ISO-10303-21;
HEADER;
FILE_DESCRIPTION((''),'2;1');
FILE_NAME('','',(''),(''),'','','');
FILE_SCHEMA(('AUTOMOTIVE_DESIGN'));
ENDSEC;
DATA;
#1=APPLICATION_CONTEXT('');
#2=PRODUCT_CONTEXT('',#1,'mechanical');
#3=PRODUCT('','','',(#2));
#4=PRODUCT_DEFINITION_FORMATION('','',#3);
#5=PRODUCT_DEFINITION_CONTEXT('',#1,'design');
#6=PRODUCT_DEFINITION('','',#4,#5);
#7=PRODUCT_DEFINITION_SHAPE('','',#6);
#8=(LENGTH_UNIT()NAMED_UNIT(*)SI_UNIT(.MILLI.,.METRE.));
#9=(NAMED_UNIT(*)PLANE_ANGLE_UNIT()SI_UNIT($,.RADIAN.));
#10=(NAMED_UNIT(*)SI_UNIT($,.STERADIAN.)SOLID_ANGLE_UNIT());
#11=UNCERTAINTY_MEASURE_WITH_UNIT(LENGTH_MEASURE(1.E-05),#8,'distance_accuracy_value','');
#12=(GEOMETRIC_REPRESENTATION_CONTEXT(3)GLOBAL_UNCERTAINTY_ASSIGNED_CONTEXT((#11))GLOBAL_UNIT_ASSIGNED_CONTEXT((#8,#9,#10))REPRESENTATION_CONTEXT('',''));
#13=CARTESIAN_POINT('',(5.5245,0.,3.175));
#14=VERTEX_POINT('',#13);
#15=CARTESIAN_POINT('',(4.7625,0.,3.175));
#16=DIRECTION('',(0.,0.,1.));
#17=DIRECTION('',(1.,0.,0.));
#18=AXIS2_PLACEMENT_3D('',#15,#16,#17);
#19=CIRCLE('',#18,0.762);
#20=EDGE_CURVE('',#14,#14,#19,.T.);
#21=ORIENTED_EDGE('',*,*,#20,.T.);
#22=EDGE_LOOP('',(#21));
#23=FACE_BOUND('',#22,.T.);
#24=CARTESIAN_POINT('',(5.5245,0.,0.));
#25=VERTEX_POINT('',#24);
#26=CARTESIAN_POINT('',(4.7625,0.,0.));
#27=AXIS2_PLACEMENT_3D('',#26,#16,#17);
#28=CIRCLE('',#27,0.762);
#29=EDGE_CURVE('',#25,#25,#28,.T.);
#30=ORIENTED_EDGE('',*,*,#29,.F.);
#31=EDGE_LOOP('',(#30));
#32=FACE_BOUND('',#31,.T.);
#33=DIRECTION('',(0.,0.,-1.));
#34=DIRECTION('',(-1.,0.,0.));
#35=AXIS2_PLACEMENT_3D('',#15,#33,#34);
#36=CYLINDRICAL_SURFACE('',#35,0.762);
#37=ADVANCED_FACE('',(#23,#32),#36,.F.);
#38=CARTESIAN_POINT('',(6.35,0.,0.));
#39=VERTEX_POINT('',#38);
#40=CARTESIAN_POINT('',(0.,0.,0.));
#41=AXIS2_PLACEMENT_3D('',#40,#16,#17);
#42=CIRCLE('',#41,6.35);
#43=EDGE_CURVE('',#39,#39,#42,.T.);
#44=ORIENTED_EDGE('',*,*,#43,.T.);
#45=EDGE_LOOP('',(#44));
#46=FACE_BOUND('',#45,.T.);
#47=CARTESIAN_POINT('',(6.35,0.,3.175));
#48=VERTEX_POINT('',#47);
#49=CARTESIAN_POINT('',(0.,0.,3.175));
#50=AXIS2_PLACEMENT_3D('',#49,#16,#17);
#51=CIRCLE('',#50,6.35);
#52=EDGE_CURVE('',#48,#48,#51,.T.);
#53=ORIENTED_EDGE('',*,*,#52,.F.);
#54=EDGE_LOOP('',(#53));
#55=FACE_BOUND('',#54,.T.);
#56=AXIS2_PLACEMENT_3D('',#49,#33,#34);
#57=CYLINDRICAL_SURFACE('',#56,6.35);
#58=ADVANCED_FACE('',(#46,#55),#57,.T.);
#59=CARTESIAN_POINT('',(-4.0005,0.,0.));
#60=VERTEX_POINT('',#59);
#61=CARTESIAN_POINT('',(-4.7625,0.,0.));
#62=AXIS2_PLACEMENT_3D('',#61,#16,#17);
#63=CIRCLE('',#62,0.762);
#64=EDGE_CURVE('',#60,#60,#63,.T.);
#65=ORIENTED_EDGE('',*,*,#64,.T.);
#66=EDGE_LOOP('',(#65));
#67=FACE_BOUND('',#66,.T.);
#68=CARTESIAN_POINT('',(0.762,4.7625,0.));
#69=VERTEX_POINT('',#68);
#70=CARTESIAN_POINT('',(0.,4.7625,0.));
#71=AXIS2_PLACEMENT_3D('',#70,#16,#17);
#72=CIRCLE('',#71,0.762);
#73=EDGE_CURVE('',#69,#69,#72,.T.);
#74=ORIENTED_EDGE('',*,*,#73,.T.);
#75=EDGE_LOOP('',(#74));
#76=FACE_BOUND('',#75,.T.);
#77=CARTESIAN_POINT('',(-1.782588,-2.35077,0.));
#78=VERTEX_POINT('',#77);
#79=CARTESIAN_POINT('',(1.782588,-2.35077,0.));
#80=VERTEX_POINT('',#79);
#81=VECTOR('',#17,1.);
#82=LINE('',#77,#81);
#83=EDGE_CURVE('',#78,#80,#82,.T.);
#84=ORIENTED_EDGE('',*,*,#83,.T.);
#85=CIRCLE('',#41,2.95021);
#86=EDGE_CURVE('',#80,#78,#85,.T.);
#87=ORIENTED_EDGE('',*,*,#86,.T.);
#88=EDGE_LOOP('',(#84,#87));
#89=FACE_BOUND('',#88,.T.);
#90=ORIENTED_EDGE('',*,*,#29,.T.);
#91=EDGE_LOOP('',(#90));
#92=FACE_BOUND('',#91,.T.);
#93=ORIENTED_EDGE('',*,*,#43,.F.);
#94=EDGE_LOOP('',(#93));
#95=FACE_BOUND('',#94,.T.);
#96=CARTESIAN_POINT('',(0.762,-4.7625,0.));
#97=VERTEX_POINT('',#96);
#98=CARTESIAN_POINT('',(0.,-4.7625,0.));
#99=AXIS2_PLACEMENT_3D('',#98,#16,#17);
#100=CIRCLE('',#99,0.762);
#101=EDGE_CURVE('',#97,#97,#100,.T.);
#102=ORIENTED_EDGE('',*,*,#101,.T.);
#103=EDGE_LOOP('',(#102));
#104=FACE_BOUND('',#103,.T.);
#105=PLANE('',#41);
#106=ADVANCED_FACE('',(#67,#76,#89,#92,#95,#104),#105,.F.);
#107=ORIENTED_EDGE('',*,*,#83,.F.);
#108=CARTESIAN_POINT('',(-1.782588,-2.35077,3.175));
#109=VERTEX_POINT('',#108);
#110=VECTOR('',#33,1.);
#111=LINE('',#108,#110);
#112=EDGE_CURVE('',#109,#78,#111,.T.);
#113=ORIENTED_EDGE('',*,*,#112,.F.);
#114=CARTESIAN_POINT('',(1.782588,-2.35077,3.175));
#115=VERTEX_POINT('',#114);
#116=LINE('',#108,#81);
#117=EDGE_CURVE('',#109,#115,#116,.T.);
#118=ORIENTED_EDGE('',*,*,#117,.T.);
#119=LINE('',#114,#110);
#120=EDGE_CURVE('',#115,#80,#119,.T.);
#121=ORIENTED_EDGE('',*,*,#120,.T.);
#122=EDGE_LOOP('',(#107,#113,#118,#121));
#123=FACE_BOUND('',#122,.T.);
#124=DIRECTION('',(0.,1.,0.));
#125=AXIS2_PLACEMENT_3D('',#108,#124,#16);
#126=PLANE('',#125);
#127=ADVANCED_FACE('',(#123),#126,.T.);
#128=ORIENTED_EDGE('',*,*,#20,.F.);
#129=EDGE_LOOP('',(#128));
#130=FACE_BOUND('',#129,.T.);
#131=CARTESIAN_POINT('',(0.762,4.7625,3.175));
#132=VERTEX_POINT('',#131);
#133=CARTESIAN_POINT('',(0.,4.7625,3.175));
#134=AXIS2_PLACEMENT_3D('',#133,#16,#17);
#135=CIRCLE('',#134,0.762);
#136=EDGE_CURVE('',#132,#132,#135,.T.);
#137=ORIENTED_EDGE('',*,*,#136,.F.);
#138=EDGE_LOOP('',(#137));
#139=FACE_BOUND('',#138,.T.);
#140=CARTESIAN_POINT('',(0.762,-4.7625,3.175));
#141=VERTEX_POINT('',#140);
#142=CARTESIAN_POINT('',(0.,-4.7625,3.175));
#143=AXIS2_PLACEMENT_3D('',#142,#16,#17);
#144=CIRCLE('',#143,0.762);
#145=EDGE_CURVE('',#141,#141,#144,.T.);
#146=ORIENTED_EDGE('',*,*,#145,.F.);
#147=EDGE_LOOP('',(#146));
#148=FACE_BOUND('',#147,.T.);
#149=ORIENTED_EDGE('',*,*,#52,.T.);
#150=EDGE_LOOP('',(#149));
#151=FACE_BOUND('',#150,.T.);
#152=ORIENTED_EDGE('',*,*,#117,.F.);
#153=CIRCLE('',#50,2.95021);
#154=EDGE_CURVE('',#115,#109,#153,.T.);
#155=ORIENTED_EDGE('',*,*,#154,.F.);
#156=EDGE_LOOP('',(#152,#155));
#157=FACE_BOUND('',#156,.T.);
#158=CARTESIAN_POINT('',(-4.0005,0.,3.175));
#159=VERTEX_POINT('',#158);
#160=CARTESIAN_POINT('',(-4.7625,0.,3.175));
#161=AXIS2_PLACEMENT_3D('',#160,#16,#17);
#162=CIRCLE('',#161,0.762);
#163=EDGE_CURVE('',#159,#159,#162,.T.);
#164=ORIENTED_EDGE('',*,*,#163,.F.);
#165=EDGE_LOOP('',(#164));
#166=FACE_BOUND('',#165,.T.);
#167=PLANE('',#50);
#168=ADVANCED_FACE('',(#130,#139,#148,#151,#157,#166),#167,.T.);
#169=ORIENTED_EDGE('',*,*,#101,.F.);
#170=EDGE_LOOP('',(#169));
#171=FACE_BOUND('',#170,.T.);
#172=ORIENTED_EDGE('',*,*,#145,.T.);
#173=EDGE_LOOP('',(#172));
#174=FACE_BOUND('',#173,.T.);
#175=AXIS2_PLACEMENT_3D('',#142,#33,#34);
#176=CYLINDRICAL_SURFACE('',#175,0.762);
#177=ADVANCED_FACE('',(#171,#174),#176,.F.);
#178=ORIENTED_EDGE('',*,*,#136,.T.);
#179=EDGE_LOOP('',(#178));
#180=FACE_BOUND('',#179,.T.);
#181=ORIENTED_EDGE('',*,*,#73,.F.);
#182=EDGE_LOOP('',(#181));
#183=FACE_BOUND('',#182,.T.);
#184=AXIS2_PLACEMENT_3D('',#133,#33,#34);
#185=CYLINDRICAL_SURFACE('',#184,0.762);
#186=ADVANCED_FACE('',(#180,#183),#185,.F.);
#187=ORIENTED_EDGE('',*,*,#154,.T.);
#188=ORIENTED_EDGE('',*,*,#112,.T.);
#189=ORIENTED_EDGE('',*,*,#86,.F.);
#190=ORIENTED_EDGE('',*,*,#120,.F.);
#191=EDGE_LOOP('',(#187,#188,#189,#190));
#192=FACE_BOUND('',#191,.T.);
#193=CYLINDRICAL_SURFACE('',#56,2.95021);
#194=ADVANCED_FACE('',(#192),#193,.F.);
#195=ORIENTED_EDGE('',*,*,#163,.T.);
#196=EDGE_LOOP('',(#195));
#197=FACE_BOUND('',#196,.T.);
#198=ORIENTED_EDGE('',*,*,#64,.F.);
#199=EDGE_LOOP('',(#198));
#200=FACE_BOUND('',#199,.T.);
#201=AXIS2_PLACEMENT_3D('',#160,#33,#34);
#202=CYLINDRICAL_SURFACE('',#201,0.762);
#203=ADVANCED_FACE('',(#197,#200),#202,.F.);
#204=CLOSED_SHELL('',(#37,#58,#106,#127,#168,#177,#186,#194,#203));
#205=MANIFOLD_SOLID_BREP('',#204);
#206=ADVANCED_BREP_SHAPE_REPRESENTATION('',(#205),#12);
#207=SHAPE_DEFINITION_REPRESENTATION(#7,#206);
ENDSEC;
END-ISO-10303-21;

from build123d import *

# Parameters (mm, degrees)
SKETCH1_R           = 6.35
SKETCH1_R_2         = 0.762
BOSS_EXTRUDE1_DEPTH = 3.175


with BuildPart() as part:
    # Sketch1 → Boss-Extrude1 (new body)
    with BuildSketch(Plane.XY):
        Circle(SKETCH1_R)
        with Locations((0, 4.7625)):
            Circle(SKETCH1_R_2, mode=Mode.SUBTRACT)
        with Locations((4.7625, 0)):
            Circle(SKETCH1_R_2, mode=Mode.SUBTRACT)
        with Locations((0, -4.7625)):
            Circle(SKETCH1_R_2, mode=Mode.SUBTRACT)
        with Locations((-4.7625, 0)):
            Circle(SKETCH1_R_2, mode=Mode.SUBTRACT)
        with BuildLine():
            Line((-1.782587852, -2.35077), (1.782587852, -2.35077))
            ThreePointArc((1.782587852, -2.35077), (0, 2.95021), (-1.782587852, -2.35077))
        make_face(mode=Mode.SUBTRACT)
    extrude(amount=BOSS_EXTRUDE1_DEPTH)


solid = part.part
